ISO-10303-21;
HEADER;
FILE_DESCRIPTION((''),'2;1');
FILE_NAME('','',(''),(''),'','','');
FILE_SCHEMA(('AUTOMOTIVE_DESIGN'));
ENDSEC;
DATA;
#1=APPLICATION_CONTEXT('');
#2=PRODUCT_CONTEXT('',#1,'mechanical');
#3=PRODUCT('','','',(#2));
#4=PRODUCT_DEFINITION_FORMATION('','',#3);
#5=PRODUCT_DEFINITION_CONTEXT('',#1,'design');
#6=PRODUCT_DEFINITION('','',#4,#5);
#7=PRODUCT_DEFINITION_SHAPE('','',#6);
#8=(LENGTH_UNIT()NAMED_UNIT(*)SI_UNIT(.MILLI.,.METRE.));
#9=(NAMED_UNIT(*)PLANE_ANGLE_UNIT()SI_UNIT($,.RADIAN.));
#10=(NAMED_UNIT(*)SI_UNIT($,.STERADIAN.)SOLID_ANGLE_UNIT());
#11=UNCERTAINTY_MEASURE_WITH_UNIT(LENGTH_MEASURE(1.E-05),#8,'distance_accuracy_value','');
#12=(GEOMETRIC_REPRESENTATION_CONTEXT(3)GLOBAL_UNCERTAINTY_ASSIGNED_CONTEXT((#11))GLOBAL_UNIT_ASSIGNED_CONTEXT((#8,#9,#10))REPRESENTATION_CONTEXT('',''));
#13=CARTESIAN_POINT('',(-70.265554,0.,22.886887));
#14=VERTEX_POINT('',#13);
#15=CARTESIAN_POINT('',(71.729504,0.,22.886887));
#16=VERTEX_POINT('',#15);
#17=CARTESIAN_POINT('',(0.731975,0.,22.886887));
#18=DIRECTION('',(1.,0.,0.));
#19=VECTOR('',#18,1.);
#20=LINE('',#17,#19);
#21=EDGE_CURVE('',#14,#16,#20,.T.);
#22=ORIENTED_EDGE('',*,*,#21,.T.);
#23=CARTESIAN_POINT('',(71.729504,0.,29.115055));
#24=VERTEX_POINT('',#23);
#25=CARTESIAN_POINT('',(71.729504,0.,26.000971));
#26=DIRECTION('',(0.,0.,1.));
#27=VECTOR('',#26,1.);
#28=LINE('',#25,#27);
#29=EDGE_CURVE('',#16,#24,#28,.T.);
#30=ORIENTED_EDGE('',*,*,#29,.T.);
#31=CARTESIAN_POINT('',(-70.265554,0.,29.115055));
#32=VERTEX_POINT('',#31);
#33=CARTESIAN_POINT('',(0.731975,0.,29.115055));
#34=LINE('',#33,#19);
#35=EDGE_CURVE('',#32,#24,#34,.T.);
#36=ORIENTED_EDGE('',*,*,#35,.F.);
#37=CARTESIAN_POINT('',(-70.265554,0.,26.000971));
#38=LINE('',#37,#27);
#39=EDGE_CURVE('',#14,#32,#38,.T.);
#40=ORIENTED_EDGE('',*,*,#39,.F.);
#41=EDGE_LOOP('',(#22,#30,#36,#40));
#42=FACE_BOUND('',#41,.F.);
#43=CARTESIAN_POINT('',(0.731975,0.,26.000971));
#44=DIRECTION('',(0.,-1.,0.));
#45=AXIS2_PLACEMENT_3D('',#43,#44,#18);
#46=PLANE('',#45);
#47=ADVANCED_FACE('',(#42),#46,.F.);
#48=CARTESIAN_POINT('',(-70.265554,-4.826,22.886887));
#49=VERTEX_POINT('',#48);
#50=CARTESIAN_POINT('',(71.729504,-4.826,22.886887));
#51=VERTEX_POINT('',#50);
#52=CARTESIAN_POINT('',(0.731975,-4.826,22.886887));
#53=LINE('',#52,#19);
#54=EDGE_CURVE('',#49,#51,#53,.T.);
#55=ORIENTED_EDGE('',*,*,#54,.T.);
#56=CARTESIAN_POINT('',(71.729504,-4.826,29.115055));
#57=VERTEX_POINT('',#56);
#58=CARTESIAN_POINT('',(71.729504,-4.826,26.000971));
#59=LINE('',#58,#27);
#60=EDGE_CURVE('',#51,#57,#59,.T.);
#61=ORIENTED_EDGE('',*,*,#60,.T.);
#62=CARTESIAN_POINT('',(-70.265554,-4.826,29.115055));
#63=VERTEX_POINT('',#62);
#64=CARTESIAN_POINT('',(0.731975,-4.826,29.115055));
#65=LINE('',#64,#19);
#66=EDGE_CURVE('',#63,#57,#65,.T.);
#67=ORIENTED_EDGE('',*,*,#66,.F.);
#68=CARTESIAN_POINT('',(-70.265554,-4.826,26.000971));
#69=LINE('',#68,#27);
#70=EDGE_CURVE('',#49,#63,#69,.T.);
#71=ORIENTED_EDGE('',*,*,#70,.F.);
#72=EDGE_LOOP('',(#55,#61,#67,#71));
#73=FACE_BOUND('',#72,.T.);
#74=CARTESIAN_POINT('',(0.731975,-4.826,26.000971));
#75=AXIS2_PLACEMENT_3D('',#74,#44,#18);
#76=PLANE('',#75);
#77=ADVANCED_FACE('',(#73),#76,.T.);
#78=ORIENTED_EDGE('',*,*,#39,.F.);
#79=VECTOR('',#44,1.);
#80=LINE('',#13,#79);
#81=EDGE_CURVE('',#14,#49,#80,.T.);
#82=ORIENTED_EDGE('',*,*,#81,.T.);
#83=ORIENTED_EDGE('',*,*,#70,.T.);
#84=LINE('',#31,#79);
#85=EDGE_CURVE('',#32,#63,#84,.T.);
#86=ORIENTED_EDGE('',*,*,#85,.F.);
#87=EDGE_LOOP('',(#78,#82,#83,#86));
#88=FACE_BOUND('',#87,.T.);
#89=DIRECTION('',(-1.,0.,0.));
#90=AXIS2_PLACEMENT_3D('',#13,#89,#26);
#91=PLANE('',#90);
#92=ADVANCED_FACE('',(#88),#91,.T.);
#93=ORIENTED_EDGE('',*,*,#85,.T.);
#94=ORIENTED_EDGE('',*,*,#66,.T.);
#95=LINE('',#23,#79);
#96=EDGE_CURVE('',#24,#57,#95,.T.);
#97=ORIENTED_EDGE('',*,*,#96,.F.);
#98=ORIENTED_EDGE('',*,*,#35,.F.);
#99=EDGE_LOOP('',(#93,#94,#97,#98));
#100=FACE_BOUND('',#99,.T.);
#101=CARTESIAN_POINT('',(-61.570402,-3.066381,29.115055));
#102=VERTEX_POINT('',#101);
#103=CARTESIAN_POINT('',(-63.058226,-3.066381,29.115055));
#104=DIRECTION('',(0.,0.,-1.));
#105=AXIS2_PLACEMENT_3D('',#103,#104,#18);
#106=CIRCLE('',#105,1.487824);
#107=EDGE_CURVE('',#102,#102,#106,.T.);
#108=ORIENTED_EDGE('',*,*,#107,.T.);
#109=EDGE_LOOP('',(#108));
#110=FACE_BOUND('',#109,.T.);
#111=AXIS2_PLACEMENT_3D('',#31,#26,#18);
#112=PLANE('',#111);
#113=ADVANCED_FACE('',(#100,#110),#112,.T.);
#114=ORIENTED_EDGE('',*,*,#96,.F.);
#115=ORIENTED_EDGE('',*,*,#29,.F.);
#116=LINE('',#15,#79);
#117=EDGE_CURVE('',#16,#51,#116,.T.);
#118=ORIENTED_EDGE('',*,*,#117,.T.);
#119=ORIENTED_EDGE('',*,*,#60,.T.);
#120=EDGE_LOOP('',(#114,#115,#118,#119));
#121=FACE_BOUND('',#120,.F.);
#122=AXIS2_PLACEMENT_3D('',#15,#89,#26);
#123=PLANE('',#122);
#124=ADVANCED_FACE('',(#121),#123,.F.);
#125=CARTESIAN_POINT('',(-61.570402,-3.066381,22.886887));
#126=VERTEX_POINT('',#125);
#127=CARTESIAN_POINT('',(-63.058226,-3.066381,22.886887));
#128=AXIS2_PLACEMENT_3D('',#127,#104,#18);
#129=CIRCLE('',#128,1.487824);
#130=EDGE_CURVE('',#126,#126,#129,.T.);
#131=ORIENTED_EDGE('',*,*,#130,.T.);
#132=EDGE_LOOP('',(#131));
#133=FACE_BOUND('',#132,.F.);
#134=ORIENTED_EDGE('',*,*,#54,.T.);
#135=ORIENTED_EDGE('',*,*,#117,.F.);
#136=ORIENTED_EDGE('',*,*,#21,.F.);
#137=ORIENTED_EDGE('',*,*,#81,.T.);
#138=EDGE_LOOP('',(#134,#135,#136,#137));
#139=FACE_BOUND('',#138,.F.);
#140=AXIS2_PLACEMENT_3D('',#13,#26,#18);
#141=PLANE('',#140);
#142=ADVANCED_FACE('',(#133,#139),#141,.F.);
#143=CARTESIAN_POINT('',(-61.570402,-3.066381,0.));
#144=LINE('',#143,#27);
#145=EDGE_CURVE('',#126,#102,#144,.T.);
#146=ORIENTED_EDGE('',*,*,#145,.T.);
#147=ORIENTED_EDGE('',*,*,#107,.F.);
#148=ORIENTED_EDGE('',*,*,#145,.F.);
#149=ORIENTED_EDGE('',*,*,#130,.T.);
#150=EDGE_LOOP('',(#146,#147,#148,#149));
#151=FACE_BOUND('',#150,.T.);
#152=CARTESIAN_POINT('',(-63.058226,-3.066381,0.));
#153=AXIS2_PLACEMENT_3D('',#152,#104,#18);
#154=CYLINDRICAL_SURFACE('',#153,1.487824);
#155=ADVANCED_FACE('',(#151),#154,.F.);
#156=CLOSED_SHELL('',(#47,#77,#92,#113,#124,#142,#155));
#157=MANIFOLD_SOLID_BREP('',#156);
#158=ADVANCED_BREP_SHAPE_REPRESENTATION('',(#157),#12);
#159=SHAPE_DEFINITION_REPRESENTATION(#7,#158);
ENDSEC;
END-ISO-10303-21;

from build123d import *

# Parameters (mm, degrees)
F0_W     = 141.995058
F0_H     = 6.228168
F1_DEPTH = 4.826
F2_R     = 1.487824
F3_DEPTH = 29.116055


with BuildPart() as f1:
    # F0 (on Front) → F1 (new body)
    with BuildSketch(Plane.XZ):
        with Locations((0.731975, 26.000971)):
            Rectangle(F0_W, F0_H)
    extrude(amount=F1_DEPTH)

    # F2 (on Top) → F3 (cut, through all)
    with BuildSketch(Plane.XY):
        with Locations((-63.058226, -3.066381)):
            Circle(F2_R)
    extrude(amount=F3_DEPTH, mode=Mode.SUBTRACT)


solid = f1.part
